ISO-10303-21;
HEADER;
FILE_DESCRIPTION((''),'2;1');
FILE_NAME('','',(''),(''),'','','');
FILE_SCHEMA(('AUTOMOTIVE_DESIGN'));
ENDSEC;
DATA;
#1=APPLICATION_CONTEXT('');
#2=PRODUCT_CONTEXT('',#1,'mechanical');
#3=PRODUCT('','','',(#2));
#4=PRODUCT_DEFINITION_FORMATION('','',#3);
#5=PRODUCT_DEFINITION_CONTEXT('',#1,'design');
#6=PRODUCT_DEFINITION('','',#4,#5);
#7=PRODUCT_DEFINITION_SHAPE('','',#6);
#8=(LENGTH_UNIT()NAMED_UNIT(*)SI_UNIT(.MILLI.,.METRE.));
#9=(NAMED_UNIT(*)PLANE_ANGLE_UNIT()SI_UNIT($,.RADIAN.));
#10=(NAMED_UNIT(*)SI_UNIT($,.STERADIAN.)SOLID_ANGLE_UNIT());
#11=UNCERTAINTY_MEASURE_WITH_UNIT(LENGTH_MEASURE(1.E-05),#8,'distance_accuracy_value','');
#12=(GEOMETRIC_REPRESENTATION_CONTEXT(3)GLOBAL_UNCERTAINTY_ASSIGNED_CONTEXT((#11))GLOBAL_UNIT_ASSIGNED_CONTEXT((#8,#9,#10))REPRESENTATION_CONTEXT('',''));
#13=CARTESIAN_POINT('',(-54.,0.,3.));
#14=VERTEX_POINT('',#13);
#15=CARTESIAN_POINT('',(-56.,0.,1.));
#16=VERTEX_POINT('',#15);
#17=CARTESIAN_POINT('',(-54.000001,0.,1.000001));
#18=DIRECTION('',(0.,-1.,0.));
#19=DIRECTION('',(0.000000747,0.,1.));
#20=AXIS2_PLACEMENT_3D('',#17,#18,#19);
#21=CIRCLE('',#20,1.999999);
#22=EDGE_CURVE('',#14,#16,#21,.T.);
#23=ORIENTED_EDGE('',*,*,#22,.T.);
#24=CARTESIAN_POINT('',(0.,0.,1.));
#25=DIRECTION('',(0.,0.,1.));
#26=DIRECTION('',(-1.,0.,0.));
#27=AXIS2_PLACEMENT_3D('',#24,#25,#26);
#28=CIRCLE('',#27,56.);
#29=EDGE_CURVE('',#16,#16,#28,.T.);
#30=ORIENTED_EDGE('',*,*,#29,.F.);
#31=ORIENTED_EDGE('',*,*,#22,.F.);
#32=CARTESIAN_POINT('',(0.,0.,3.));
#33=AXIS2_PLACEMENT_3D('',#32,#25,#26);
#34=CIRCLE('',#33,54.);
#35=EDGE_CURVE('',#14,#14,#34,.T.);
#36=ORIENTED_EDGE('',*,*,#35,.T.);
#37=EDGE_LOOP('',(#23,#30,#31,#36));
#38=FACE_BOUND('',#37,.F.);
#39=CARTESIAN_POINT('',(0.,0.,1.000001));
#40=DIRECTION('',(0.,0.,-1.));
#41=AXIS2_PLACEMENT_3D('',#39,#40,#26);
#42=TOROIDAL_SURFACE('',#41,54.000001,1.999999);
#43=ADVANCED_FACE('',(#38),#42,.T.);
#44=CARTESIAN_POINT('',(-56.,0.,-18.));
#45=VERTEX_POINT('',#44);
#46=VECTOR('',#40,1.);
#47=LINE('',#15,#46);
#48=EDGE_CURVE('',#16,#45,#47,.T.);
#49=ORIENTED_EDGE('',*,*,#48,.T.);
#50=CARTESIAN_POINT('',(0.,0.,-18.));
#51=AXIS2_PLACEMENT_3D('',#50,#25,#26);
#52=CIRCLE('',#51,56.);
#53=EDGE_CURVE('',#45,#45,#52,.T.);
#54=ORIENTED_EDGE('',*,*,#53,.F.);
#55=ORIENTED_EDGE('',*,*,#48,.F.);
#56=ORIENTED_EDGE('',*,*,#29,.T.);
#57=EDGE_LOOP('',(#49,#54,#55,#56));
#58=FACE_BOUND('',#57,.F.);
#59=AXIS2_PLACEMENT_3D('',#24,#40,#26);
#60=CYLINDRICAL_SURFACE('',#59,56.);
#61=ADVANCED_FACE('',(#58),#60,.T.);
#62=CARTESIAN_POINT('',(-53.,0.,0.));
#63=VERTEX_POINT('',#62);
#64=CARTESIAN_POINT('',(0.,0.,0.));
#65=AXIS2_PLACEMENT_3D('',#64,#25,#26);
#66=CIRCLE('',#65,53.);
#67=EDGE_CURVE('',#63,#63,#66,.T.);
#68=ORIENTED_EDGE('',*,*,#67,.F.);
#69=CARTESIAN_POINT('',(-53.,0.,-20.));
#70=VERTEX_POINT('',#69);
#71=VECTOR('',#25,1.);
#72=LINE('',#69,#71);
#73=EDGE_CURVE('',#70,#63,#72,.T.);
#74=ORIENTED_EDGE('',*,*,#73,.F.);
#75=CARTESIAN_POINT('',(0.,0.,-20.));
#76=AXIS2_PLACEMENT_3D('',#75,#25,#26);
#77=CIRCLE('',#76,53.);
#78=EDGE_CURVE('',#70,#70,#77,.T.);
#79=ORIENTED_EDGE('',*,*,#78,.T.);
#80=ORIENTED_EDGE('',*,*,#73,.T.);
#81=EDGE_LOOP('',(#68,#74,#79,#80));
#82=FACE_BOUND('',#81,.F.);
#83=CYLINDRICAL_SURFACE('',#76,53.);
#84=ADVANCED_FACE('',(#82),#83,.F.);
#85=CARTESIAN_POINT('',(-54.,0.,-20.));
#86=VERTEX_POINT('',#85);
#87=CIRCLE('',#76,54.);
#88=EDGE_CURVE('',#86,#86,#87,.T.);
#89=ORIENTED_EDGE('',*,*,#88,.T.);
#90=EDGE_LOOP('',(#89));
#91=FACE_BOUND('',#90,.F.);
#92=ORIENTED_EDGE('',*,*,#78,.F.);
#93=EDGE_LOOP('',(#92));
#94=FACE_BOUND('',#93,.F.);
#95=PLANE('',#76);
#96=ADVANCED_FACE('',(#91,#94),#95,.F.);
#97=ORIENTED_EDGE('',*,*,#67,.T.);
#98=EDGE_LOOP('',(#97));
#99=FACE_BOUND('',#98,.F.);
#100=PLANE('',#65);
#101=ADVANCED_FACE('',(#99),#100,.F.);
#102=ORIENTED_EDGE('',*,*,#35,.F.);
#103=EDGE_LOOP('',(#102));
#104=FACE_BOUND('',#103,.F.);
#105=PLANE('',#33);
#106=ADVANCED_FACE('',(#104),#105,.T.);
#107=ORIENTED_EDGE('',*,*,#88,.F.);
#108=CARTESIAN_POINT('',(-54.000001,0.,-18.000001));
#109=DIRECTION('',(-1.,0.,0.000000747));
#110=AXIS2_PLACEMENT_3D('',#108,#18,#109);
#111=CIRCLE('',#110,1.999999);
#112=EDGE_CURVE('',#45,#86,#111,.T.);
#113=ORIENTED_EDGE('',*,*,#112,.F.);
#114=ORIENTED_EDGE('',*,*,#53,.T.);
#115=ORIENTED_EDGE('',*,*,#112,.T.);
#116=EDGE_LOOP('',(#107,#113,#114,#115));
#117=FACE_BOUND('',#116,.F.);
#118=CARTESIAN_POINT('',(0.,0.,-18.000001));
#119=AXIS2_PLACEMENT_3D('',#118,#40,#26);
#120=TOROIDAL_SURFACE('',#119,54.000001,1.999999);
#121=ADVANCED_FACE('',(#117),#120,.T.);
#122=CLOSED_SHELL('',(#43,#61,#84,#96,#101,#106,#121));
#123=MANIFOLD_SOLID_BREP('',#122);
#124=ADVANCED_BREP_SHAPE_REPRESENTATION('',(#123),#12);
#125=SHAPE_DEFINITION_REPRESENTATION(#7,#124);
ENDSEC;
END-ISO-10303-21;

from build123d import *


with BuildPart() as f1:
    # F0 (on Front) → F1 (revolve)
    with BuildSketch(Plane.XZ):
        with BuildLine():
            Line((-54, -20), (-53, -20))
            Line((-53, -20), (-53, 0))
            Line((-53, 0), (0, 0))
            Line((0, 0), (0, 3))
            Line((0, 3), (-54, 3))
            ThreePointArc((-54, 3), (-55.414214, 2.414214), (-56, 1))
            Line((-56, 1), (-56, -18))
            ThreePointArc((-56, -18), (-55.414214, -19.414214), (-54, -20))
        make_face()
    revolve(axis=Axis((0, 0, 1.5), (0, 0, 1)))


solid = f1.part
